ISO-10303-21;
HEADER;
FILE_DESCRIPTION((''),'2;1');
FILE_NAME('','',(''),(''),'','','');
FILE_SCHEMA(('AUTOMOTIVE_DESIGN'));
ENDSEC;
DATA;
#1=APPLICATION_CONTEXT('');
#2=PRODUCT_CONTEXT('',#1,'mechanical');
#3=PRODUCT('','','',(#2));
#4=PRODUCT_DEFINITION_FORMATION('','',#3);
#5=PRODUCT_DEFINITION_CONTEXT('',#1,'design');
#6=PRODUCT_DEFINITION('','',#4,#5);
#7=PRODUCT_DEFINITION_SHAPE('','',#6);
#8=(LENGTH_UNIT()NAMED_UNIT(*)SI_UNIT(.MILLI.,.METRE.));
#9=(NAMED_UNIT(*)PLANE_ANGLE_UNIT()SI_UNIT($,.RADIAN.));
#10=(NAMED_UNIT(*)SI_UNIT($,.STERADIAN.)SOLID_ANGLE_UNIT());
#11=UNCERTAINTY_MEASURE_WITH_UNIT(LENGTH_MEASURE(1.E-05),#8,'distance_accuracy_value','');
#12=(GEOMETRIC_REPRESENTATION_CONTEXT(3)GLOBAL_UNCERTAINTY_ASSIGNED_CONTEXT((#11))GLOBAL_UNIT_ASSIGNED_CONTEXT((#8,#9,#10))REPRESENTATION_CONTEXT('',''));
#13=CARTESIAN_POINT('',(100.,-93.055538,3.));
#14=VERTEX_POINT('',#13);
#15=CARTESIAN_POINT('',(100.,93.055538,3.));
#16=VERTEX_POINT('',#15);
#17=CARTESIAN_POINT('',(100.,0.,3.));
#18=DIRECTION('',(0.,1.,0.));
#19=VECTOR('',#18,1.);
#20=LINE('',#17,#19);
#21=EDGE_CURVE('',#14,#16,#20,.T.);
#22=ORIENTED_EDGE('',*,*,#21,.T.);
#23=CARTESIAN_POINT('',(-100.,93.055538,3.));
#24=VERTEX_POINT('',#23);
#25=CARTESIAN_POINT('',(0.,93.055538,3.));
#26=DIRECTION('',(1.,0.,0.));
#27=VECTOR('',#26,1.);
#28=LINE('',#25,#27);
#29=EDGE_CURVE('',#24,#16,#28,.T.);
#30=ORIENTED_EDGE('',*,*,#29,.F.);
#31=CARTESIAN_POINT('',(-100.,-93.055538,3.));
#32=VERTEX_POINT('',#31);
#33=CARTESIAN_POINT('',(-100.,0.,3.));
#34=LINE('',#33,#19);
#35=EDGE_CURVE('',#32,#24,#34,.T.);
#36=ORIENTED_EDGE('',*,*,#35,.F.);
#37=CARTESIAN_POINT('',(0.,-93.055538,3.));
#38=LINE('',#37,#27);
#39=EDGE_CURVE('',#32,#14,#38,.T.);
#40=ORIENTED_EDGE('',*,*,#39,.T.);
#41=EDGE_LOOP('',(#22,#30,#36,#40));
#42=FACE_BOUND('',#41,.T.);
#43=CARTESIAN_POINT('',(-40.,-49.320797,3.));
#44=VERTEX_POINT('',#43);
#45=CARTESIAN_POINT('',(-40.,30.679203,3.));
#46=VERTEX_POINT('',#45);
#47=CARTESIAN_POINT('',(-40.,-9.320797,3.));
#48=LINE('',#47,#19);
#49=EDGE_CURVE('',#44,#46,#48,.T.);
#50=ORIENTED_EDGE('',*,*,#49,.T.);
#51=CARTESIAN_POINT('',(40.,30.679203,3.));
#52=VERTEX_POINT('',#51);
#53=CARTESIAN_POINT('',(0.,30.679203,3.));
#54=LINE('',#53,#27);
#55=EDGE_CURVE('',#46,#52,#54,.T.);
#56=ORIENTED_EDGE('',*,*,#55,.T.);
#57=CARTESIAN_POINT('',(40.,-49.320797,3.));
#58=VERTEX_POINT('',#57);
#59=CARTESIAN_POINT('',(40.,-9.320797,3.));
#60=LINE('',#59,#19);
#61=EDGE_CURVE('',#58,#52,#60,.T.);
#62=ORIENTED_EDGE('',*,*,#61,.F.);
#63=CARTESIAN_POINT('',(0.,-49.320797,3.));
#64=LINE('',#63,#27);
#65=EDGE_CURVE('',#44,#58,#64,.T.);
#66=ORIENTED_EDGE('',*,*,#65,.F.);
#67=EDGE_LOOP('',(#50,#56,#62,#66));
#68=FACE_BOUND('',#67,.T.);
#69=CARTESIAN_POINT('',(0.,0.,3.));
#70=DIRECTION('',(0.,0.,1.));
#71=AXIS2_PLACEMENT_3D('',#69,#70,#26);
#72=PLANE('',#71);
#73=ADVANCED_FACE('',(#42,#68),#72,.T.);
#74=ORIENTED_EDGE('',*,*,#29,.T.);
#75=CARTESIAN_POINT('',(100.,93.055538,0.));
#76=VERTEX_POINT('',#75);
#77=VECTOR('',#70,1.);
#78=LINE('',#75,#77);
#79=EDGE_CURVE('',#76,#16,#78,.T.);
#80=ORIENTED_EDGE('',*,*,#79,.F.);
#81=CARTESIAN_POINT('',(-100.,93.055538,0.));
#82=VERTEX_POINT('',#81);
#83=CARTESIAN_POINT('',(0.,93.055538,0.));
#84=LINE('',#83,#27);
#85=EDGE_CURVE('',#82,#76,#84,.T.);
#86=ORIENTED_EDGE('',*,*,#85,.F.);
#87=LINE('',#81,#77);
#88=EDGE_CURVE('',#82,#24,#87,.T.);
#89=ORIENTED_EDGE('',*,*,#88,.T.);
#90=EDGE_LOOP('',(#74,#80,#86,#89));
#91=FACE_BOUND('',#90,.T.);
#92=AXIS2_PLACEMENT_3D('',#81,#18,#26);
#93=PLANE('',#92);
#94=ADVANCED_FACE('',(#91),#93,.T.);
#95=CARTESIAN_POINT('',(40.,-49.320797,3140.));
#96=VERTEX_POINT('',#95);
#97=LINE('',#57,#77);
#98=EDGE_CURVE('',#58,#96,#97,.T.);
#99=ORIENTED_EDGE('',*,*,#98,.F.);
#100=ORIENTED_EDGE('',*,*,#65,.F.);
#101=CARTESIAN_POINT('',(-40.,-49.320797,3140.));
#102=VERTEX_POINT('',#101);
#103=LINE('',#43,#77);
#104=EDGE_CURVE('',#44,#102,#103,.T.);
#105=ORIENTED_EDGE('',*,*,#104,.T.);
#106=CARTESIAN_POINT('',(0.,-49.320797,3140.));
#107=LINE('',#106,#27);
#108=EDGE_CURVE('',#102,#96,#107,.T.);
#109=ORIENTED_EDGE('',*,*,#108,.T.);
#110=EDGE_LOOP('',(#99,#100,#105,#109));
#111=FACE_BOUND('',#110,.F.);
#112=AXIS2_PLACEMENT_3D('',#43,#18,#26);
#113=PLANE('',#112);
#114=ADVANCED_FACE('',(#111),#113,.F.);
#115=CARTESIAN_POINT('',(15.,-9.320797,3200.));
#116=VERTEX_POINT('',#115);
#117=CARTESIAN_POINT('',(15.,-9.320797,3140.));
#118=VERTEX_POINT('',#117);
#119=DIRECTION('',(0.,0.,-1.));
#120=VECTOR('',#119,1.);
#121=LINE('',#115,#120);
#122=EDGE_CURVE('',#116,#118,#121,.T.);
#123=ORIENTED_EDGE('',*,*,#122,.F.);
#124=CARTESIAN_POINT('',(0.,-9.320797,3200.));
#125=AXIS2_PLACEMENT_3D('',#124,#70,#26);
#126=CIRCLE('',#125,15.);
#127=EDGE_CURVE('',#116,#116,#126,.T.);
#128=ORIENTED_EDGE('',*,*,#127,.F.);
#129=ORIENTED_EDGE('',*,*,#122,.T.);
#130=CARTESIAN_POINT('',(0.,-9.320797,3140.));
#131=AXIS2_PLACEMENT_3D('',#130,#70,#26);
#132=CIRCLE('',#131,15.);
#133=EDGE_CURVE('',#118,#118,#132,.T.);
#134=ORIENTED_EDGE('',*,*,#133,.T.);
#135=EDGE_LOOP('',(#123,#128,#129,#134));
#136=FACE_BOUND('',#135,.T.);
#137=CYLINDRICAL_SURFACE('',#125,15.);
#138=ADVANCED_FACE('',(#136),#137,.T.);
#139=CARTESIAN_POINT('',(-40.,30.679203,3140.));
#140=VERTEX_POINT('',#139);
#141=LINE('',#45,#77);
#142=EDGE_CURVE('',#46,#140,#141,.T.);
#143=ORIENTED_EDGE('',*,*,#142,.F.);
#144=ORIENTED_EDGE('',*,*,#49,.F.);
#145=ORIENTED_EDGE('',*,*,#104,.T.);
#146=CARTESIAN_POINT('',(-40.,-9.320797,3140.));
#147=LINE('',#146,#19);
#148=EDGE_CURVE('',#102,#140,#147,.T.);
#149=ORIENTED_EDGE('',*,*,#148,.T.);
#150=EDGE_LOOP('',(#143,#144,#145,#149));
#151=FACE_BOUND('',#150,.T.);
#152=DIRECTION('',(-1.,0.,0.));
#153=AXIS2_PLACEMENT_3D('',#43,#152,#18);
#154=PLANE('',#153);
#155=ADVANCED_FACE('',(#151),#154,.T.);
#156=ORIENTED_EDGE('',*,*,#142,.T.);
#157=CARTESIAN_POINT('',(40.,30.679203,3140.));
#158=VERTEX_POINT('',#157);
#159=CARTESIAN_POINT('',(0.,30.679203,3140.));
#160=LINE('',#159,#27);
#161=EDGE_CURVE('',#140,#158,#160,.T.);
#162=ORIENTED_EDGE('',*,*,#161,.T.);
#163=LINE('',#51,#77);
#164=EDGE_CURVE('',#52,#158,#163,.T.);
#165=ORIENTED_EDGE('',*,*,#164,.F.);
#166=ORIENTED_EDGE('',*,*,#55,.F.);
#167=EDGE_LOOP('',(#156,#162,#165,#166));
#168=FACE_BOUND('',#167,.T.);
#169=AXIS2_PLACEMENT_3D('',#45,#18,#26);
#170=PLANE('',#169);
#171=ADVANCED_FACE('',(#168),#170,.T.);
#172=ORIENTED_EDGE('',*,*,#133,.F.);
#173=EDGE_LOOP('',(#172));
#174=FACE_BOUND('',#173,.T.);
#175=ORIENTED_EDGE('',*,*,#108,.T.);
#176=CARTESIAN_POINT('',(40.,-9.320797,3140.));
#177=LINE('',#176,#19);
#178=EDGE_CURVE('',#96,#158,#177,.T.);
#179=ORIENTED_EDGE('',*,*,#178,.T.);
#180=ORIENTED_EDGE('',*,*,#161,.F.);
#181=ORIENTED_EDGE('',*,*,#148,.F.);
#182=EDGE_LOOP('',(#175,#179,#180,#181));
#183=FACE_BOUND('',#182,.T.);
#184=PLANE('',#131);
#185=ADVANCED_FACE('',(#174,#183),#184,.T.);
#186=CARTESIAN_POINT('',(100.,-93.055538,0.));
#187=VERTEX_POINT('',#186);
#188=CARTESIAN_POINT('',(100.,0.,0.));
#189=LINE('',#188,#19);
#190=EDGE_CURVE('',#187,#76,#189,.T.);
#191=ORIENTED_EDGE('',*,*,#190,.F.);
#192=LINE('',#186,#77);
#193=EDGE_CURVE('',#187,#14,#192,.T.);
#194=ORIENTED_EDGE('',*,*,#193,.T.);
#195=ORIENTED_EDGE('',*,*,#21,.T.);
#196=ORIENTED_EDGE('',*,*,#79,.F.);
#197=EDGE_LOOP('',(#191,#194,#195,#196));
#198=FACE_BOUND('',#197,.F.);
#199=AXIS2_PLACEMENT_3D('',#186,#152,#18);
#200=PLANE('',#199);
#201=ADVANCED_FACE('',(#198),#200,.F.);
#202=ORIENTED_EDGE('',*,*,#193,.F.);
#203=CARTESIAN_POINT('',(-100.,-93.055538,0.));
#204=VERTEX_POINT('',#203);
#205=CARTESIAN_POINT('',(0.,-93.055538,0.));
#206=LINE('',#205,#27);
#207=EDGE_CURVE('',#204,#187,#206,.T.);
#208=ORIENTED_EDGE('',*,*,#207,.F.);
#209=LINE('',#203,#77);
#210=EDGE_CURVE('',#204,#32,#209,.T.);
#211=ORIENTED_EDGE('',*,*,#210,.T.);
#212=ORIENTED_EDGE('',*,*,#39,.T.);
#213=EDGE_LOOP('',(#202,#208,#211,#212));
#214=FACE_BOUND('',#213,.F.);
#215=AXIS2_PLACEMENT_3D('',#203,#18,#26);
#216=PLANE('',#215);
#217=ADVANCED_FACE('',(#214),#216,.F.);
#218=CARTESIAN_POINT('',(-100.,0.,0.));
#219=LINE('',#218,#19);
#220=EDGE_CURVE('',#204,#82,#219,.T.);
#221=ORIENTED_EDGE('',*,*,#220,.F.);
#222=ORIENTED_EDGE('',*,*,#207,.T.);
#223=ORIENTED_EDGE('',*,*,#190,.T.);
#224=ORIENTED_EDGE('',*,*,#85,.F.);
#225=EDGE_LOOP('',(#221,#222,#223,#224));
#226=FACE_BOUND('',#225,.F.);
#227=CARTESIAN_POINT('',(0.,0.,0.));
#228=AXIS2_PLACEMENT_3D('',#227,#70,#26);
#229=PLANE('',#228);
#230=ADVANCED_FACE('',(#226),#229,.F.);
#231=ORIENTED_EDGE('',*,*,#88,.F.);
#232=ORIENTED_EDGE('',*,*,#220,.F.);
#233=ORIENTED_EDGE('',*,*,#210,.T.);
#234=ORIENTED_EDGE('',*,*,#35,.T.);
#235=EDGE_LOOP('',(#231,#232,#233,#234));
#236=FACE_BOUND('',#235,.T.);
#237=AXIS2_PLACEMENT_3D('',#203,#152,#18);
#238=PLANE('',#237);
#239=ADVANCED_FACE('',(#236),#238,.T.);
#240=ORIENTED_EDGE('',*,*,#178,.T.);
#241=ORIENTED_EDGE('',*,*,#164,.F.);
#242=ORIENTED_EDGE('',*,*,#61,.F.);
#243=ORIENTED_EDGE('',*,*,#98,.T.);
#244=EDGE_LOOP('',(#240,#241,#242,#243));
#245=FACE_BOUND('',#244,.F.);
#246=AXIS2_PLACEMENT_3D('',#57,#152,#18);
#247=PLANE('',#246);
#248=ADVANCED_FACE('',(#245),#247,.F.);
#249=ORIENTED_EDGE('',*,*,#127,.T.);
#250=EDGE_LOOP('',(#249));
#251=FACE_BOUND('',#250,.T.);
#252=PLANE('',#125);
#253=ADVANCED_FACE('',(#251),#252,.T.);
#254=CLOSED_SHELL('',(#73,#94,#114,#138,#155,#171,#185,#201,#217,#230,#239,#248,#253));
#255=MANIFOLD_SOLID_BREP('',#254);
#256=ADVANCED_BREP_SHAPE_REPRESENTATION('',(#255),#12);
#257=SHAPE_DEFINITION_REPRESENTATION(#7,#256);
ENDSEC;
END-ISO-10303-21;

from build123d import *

# Parameters (mm, degrees)
F0_W     = 200
F0_H     = 186.111076
F1_DEPTH = 3
F2_W     = 80
F2_H     = 80
F3_DEPTH = 3197
F4_W     = 80
F4_H     = 80
F4_R     = 15
F5_DEPTH = 60


with BuildPart() as f1:
    # F0 (on Top) → F1 (new body)
    with BuildSketch(Plane.XY):
        Rectangle(F0_W, F0_H)
    extrude(amount=F1_DEPTH)

    # F2 (on face) → F3 (join)
    with BuildSketch(Plane.XY.offset(3)):
        with Locations((0, -9.320797)):
            Rectangle(F2_W, F2_H)
    extrude(amount=F3_DEPTH)

    # F4 (on face) → F5 (cut)
    with BuildSketch(Plane.XY.offset(3200)):
        with Locations((0, -9.320797)):
            Rectangle(F4_W, F4_H)
        with Locations((0, -9.320797)):
            Circle(F4_R, mode=Mode.SUBTRACT)
    extrude(amount=-F5_DEPTH, mode=Mode.SUBTRACT)


solid = f1.part
